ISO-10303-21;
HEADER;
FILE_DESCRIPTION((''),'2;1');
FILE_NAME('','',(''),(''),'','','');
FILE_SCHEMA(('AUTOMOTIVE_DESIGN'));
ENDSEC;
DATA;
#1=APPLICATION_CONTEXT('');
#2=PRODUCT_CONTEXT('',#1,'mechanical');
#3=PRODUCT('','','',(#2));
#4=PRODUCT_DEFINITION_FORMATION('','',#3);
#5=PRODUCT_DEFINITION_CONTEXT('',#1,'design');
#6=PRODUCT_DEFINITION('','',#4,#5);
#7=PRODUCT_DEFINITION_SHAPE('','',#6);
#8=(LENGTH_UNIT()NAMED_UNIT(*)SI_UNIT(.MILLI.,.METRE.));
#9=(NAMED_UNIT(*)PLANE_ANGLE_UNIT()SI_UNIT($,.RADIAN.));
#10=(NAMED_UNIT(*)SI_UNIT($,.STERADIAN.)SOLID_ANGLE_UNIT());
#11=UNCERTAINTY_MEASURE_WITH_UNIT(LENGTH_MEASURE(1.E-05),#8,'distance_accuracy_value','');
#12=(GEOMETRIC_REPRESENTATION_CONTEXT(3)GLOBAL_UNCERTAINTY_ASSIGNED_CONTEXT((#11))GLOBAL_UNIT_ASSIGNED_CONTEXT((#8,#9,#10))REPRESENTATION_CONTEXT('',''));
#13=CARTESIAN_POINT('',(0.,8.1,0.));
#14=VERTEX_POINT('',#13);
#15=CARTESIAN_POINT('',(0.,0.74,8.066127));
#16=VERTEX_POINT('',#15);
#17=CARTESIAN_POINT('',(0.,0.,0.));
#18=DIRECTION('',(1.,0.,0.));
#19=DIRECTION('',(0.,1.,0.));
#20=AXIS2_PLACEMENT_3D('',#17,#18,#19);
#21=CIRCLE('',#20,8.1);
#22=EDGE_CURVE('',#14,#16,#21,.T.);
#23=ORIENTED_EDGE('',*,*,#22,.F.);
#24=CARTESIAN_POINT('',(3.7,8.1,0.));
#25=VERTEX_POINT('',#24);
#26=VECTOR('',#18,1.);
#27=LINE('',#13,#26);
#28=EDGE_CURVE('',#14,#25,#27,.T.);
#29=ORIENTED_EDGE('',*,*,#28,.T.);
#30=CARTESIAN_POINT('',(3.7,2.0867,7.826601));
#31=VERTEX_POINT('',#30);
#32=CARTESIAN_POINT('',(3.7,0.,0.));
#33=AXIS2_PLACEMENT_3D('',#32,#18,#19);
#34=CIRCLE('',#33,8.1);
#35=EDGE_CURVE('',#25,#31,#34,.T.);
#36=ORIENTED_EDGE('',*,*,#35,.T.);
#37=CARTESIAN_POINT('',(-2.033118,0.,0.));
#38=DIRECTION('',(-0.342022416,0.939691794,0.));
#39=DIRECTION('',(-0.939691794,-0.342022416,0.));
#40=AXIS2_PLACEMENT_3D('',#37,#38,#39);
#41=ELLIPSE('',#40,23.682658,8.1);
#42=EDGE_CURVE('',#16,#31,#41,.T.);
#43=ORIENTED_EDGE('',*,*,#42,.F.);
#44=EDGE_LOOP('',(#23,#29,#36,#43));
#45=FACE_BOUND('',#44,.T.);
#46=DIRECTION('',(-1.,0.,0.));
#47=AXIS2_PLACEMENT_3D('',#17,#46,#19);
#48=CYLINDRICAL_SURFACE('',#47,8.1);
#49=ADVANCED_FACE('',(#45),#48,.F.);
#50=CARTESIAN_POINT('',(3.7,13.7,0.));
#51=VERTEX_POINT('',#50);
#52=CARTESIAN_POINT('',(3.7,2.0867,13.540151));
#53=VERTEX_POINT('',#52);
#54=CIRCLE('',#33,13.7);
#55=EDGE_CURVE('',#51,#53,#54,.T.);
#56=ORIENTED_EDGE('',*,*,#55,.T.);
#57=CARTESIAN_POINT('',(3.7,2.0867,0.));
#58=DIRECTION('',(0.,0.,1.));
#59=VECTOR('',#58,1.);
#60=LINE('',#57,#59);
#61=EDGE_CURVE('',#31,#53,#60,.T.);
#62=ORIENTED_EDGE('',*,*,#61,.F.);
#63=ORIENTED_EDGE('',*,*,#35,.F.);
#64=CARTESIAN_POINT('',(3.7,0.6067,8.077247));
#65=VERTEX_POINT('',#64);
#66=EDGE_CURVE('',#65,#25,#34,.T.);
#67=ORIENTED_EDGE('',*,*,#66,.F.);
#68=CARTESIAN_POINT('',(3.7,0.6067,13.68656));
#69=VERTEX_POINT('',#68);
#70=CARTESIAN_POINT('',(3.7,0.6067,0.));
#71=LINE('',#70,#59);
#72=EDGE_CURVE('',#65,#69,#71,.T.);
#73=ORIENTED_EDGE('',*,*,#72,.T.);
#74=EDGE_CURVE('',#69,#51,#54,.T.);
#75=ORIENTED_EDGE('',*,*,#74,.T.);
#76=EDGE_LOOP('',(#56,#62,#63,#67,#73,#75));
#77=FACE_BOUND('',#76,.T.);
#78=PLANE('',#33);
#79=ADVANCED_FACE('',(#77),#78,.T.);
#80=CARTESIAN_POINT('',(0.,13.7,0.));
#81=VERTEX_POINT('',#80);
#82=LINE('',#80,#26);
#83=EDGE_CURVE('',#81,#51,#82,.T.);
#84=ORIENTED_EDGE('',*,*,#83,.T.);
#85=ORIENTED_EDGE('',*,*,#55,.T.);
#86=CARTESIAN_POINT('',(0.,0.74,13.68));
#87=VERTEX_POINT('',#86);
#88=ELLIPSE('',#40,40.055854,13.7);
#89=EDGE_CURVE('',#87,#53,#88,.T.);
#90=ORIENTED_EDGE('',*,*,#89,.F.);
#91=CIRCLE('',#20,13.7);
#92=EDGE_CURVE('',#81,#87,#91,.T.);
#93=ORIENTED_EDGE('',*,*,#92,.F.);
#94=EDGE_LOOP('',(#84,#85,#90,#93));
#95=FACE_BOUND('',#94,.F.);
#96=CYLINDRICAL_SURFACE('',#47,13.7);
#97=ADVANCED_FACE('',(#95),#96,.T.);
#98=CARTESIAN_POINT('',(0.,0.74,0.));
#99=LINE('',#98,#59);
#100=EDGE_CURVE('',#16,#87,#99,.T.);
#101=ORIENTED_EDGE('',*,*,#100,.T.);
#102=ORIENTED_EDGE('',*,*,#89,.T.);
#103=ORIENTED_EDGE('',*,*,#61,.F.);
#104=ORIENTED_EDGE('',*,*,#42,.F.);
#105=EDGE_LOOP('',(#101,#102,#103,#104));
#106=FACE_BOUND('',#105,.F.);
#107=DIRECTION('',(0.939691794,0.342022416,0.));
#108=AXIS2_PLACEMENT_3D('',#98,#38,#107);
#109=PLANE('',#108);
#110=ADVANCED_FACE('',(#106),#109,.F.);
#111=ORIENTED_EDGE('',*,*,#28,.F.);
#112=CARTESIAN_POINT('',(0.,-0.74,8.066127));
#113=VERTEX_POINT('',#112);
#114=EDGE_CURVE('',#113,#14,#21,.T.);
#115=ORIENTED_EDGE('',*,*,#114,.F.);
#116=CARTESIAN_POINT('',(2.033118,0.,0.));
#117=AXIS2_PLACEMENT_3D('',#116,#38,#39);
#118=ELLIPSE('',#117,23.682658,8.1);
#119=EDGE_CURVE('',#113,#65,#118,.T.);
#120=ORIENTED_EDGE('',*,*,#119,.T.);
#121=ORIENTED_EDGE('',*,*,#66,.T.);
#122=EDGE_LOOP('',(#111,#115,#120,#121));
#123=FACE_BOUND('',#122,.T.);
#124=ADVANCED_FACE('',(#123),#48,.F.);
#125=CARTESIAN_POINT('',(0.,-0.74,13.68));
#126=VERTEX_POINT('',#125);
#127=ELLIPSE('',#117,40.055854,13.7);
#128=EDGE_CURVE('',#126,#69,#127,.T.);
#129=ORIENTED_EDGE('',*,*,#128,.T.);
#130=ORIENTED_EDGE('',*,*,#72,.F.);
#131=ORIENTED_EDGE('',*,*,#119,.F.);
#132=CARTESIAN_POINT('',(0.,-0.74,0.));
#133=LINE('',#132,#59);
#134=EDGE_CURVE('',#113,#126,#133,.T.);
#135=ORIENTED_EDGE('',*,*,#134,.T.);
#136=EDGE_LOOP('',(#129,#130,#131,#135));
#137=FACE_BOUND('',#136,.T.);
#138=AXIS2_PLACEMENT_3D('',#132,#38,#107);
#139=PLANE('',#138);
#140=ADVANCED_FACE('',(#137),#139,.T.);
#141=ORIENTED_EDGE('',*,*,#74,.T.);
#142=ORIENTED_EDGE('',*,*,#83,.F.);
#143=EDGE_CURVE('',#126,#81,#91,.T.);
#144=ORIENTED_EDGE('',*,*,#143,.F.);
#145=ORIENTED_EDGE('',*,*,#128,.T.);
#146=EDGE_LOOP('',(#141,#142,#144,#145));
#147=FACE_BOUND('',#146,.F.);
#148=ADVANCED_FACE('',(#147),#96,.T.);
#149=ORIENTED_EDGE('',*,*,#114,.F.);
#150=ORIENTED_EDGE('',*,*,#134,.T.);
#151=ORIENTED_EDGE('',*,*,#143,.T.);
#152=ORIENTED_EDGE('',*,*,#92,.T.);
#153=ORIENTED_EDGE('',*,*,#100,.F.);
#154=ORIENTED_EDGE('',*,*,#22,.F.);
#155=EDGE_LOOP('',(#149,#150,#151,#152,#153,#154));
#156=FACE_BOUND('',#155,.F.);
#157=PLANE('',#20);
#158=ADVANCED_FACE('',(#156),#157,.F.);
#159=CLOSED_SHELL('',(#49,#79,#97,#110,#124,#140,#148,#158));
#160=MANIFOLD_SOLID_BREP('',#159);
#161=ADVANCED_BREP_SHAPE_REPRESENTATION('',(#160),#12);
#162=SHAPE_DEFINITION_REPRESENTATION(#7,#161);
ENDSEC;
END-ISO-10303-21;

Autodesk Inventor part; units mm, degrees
ref_plane "YZ Plane" through (0, 0, 0) normal (1, 0, 0) x (0, 1, 0)
ref_plane "XZ Plane" through (0, 0, 0) normal (0, 1, 0) x (-1, 0, 0)
sketch "Sketch1" plane through (0, 0, 0) normal (1, 0, 0) x (0, 1, 0)
  circle A0 centre (0, 0) radius 13.7
  circle A1 centre (0, 0) radius 8.1
  dimension "d0" = 16.2
  dimension "d1" = 27.4
extrude "Body" add sketch "Sketch1" along normal blind 3.7
sketch "Sketch2" plane through (0, 0, 0) normal (0, 0, 1) x (1, 0, 0)
  line L0 (0, -8.1) -> (0, 8.1) projected
  line L1 (3.7, 13.7) -> (3.7, -13.7) projected
  line L2 (-1.2, 0) -> (7.2, 0) projected
  line L3 (0, -0.74) -> (3.7, 0.6067)
  line L4 (0, 0.74) -> (3.7, 2.0867)
  dimension "d4" = 0.74
  dimension "d5" = 0.74
  dimension "d6" = 70
extrude "Cut" cut sketch "Sketch2" along normal up to next contours L0 L2 L3 | L0 L4 L1 L3 L2
ref_plane "Work Plane1" through (0, 0, 0) normal (0, -1, 0) x (1, 0, 0)
equation "\"d0\" = SD1"
equation "\"d1\" = SD2"
equation "\"d2\" = SD"
equation "\"d4\" = 0.2 * SD"
equation "\"d5\" = 0.2 * SD"
equation "\"d6\" = FAWI"
equation "\"d7\" = SD"
equation "\"SD1\" = 16.2"
equation "\"SD2\" = 27.4"
equation "\"SD\" = 3.7"
equation "\"FAWI\" = 70deg"
equation "\"NND\" = 16"
properties part number "AS 1968 - 1976 - 16" material "Steel, Mild"
